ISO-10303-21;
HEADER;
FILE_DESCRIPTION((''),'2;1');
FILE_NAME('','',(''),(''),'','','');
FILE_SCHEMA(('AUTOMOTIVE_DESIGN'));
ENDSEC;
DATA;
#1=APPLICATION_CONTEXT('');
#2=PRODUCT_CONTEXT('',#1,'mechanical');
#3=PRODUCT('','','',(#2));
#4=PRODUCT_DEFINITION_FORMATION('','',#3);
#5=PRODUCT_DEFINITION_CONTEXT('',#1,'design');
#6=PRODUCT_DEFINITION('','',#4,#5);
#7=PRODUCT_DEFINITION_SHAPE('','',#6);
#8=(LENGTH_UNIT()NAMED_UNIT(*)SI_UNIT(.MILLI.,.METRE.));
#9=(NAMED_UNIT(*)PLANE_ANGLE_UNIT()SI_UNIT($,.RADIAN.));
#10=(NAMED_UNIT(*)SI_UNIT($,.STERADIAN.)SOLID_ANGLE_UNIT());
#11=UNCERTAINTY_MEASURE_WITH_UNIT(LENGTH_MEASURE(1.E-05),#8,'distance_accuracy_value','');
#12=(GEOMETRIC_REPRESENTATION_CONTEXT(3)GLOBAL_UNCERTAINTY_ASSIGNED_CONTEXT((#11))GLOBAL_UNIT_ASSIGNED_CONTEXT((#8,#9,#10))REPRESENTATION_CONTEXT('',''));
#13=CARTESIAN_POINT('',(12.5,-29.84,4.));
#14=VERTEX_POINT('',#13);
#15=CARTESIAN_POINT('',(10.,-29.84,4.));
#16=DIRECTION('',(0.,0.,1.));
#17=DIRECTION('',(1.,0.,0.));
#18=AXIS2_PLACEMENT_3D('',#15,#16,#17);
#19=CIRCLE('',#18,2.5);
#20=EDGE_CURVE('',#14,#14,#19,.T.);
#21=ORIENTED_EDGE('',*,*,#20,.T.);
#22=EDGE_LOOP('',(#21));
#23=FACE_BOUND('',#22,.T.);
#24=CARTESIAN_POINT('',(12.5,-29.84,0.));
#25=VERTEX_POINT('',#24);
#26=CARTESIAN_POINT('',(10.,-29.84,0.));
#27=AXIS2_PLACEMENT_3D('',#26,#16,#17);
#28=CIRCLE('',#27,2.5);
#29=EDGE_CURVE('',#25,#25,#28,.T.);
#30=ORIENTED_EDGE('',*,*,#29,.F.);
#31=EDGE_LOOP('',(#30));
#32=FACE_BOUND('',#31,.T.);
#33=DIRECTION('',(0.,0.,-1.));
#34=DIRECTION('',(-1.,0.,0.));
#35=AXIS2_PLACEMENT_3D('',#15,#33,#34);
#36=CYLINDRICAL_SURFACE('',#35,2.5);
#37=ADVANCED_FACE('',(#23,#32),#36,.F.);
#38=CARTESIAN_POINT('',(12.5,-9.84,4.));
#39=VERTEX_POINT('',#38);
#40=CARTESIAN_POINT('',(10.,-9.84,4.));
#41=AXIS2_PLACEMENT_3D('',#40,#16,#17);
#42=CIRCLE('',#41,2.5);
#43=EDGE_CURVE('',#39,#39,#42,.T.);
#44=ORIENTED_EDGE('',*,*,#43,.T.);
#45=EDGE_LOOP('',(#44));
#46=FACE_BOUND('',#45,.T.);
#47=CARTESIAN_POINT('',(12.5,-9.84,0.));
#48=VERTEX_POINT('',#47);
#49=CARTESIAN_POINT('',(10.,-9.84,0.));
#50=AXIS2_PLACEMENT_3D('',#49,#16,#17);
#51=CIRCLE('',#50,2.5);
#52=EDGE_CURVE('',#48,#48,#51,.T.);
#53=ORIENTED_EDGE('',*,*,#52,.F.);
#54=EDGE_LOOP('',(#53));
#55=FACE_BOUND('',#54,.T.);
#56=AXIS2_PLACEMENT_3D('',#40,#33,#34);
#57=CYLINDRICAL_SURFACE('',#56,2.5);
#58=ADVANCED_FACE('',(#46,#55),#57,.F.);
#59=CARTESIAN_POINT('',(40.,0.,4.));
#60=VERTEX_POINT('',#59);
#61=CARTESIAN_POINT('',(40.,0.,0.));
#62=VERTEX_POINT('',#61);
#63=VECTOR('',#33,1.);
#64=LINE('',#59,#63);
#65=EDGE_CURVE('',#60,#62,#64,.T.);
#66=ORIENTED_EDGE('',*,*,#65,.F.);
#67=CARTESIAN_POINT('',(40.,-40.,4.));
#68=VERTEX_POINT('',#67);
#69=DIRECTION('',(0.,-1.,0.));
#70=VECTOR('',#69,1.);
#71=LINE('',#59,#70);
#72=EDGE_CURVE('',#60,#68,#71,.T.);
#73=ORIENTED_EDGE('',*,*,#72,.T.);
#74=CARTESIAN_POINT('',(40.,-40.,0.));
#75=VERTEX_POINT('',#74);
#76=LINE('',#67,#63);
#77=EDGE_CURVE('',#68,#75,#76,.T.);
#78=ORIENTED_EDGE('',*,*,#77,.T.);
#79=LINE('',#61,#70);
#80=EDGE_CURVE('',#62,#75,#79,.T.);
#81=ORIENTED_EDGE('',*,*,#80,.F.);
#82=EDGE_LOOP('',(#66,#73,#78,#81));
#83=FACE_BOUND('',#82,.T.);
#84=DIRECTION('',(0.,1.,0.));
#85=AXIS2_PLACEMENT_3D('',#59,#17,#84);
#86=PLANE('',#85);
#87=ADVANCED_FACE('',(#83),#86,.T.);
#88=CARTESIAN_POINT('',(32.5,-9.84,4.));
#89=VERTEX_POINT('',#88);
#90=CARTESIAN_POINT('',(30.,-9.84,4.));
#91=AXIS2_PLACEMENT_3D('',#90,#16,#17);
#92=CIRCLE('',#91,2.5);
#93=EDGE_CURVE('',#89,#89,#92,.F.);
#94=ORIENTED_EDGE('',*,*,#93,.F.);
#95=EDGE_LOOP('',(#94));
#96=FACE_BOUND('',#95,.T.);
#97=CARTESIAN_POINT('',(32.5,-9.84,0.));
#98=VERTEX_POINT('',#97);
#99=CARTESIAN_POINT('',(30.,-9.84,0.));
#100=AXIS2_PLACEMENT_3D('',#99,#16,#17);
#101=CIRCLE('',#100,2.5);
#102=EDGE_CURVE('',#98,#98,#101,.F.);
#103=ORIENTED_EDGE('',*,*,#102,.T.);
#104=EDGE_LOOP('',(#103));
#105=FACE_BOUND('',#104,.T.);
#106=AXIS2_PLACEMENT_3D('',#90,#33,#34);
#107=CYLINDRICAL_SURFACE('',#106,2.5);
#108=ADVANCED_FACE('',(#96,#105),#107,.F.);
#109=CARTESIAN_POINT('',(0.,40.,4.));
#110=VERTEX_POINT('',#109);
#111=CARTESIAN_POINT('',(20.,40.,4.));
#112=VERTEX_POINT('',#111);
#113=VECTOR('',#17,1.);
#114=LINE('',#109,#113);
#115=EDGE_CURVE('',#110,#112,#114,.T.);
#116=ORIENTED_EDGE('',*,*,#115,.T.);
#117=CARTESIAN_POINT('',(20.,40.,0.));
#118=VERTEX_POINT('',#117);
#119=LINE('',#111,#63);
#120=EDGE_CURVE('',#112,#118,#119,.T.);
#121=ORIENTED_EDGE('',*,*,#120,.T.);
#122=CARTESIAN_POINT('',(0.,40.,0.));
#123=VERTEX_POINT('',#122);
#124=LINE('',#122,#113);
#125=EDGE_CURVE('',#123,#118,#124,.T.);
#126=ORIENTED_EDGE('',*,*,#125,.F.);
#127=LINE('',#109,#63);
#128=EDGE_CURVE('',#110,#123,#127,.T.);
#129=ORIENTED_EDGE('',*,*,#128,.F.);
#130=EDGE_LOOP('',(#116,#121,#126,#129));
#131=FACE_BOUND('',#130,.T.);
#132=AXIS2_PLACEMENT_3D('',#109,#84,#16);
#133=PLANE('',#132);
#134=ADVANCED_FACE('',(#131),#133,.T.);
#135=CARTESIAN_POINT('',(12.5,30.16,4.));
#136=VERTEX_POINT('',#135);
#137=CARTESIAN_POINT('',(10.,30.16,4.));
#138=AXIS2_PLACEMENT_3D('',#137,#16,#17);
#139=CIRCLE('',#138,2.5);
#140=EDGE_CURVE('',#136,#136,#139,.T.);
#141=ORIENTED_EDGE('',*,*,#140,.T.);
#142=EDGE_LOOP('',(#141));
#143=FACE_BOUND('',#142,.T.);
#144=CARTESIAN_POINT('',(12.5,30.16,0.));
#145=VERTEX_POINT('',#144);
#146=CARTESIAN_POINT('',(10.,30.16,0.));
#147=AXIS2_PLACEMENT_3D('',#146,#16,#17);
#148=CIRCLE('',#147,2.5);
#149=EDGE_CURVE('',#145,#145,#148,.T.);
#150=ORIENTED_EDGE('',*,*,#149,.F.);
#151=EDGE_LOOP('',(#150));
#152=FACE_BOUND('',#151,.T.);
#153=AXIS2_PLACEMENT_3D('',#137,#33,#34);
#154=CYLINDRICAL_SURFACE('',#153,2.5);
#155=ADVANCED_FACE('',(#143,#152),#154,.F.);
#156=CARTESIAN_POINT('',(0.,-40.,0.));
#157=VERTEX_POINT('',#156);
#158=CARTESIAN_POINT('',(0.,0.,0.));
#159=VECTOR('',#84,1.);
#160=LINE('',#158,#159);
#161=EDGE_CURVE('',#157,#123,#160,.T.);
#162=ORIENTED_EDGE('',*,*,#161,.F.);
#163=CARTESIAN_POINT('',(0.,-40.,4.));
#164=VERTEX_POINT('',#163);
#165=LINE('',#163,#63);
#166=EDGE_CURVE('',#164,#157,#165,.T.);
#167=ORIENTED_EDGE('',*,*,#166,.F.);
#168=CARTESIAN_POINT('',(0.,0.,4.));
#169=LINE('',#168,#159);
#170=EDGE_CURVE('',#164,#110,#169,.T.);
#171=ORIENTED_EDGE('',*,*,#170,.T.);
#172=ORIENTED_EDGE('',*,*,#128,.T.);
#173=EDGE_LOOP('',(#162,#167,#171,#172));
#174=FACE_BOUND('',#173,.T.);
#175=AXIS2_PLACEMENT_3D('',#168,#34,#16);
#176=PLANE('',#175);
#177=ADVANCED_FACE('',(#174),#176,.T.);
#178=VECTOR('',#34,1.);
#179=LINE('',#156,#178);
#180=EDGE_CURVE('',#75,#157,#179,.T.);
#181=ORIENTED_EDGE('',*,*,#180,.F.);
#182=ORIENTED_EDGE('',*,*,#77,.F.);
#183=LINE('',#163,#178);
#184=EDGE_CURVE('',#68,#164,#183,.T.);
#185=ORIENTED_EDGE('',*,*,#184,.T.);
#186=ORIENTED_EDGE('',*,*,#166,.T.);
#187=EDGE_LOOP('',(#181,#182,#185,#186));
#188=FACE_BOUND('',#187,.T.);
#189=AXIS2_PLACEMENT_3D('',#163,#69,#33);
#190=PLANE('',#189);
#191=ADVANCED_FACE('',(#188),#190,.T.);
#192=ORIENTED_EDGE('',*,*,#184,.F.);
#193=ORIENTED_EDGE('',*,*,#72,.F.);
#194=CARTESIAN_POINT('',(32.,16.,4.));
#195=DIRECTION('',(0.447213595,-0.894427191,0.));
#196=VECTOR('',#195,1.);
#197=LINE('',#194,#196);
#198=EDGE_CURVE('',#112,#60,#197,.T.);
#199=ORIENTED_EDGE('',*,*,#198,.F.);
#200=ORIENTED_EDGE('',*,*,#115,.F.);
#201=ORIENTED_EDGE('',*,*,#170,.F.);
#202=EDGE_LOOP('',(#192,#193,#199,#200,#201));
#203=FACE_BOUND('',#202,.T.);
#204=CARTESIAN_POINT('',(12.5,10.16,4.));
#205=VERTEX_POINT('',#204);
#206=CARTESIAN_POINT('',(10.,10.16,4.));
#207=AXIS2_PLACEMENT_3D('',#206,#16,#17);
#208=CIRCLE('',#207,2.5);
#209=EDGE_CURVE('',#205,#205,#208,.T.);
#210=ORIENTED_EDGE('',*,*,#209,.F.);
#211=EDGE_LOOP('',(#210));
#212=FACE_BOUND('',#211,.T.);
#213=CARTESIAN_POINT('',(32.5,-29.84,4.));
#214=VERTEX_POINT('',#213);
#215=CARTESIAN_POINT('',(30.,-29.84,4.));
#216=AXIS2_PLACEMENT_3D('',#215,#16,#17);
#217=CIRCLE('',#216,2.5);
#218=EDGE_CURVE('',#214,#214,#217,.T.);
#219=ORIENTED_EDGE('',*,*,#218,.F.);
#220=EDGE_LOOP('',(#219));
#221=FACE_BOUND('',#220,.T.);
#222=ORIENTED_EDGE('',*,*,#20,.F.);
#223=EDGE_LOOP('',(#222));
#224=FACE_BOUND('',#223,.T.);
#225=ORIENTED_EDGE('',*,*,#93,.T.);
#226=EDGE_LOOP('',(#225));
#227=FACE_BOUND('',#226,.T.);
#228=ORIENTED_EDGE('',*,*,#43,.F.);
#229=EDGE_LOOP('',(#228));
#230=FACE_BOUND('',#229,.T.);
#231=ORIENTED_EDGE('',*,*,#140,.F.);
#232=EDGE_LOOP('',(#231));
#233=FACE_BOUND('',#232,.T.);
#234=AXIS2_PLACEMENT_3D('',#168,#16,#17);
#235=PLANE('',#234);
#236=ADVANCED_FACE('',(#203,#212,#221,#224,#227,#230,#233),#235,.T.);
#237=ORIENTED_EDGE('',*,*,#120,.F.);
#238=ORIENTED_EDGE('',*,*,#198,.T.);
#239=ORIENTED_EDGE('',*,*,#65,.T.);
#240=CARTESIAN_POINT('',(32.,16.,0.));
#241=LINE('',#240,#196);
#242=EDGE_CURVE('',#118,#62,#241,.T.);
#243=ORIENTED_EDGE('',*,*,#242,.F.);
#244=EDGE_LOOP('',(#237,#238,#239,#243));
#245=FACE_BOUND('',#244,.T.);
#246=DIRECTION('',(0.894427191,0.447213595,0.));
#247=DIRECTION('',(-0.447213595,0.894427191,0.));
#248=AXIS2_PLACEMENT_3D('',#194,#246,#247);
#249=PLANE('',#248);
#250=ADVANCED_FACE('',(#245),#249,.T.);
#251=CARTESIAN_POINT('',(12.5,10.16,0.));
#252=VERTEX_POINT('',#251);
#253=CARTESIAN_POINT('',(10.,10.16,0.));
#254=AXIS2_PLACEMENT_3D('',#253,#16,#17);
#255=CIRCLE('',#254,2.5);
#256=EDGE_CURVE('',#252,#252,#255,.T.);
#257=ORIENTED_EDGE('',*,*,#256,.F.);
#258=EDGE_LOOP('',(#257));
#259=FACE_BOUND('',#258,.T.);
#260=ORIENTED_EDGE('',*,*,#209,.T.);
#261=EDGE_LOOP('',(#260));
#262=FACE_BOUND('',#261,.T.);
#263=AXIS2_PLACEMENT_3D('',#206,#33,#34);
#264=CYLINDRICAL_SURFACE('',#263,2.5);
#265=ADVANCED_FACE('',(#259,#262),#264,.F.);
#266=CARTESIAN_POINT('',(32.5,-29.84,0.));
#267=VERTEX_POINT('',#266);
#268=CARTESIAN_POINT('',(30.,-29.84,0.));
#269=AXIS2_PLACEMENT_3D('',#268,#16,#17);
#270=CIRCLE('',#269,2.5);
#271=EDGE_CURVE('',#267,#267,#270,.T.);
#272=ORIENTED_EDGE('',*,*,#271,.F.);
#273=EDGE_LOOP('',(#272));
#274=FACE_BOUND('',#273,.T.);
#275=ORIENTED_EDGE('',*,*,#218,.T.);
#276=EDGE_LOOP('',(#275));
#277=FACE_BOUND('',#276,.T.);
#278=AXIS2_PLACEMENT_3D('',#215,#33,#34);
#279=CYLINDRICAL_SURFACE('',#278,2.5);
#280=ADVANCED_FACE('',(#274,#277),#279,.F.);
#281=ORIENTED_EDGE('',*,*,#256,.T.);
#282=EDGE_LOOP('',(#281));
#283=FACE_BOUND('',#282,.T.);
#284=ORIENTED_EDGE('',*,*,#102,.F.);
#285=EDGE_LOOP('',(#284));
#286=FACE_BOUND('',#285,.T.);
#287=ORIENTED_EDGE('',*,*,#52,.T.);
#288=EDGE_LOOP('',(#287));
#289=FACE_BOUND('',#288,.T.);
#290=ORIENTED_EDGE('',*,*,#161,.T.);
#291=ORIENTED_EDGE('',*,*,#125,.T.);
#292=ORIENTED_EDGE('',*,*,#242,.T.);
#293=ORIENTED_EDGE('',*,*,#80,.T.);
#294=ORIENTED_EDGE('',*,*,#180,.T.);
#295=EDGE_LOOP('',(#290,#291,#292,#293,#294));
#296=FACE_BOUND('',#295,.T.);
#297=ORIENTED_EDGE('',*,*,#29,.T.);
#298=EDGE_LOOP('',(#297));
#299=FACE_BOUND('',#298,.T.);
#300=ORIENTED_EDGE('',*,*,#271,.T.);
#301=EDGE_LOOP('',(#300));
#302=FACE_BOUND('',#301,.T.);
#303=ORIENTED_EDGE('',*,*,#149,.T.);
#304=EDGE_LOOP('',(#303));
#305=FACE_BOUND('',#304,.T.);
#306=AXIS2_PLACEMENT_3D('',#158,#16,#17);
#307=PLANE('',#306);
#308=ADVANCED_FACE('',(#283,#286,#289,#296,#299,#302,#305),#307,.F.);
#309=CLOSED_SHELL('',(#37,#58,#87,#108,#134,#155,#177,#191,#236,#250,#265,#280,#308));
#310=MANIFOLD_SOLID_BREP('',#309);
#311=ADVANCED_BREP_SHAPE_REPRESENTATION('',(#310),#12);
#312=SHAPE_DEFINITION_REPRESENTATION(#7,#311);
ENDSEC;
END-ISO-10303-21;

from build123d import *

# Parameters (mm, degrees)
SKETCH1_R           = 2.5
BOSS_EXTRUDE1_DEPTH = 4


with BuildPart() as part:
    # Sketch1 → Boss-Extrude1 (new body)
    with BuildSketch(Plane.XY):
        Polygon((0, -40), (0, 40), (20, 40), (40, 0), (40, -40), align=None)
        with Locations((10, -29.84)):
            Circle(SKETCH1_R, mode=Mode.SUBTRACT)
        with Locations((30, -29.84)):
            Circle(SKETCH1_R, mode=Mode.SUBTRACT)
        with Locations((10, -9.84)):
            Circle(SKETCH1_R, mode=Mode.SUBTRACT)
        with Locations((10, 10.16)):
            Circle(SKETCH1_R, mode=Mode.SUBTRACT)
        with Locations((10, 30.16)):
            Circle(SKETCH1_R, mode=Mode.SUBTRACT)
        with Locations((30, -9.84)):
            Circle(SKETCH1_R, mode=Mode.SUBTRACT)
    extrude(amount=BOSS_EXTRUDE1_DEPTH)


solid = part.part
